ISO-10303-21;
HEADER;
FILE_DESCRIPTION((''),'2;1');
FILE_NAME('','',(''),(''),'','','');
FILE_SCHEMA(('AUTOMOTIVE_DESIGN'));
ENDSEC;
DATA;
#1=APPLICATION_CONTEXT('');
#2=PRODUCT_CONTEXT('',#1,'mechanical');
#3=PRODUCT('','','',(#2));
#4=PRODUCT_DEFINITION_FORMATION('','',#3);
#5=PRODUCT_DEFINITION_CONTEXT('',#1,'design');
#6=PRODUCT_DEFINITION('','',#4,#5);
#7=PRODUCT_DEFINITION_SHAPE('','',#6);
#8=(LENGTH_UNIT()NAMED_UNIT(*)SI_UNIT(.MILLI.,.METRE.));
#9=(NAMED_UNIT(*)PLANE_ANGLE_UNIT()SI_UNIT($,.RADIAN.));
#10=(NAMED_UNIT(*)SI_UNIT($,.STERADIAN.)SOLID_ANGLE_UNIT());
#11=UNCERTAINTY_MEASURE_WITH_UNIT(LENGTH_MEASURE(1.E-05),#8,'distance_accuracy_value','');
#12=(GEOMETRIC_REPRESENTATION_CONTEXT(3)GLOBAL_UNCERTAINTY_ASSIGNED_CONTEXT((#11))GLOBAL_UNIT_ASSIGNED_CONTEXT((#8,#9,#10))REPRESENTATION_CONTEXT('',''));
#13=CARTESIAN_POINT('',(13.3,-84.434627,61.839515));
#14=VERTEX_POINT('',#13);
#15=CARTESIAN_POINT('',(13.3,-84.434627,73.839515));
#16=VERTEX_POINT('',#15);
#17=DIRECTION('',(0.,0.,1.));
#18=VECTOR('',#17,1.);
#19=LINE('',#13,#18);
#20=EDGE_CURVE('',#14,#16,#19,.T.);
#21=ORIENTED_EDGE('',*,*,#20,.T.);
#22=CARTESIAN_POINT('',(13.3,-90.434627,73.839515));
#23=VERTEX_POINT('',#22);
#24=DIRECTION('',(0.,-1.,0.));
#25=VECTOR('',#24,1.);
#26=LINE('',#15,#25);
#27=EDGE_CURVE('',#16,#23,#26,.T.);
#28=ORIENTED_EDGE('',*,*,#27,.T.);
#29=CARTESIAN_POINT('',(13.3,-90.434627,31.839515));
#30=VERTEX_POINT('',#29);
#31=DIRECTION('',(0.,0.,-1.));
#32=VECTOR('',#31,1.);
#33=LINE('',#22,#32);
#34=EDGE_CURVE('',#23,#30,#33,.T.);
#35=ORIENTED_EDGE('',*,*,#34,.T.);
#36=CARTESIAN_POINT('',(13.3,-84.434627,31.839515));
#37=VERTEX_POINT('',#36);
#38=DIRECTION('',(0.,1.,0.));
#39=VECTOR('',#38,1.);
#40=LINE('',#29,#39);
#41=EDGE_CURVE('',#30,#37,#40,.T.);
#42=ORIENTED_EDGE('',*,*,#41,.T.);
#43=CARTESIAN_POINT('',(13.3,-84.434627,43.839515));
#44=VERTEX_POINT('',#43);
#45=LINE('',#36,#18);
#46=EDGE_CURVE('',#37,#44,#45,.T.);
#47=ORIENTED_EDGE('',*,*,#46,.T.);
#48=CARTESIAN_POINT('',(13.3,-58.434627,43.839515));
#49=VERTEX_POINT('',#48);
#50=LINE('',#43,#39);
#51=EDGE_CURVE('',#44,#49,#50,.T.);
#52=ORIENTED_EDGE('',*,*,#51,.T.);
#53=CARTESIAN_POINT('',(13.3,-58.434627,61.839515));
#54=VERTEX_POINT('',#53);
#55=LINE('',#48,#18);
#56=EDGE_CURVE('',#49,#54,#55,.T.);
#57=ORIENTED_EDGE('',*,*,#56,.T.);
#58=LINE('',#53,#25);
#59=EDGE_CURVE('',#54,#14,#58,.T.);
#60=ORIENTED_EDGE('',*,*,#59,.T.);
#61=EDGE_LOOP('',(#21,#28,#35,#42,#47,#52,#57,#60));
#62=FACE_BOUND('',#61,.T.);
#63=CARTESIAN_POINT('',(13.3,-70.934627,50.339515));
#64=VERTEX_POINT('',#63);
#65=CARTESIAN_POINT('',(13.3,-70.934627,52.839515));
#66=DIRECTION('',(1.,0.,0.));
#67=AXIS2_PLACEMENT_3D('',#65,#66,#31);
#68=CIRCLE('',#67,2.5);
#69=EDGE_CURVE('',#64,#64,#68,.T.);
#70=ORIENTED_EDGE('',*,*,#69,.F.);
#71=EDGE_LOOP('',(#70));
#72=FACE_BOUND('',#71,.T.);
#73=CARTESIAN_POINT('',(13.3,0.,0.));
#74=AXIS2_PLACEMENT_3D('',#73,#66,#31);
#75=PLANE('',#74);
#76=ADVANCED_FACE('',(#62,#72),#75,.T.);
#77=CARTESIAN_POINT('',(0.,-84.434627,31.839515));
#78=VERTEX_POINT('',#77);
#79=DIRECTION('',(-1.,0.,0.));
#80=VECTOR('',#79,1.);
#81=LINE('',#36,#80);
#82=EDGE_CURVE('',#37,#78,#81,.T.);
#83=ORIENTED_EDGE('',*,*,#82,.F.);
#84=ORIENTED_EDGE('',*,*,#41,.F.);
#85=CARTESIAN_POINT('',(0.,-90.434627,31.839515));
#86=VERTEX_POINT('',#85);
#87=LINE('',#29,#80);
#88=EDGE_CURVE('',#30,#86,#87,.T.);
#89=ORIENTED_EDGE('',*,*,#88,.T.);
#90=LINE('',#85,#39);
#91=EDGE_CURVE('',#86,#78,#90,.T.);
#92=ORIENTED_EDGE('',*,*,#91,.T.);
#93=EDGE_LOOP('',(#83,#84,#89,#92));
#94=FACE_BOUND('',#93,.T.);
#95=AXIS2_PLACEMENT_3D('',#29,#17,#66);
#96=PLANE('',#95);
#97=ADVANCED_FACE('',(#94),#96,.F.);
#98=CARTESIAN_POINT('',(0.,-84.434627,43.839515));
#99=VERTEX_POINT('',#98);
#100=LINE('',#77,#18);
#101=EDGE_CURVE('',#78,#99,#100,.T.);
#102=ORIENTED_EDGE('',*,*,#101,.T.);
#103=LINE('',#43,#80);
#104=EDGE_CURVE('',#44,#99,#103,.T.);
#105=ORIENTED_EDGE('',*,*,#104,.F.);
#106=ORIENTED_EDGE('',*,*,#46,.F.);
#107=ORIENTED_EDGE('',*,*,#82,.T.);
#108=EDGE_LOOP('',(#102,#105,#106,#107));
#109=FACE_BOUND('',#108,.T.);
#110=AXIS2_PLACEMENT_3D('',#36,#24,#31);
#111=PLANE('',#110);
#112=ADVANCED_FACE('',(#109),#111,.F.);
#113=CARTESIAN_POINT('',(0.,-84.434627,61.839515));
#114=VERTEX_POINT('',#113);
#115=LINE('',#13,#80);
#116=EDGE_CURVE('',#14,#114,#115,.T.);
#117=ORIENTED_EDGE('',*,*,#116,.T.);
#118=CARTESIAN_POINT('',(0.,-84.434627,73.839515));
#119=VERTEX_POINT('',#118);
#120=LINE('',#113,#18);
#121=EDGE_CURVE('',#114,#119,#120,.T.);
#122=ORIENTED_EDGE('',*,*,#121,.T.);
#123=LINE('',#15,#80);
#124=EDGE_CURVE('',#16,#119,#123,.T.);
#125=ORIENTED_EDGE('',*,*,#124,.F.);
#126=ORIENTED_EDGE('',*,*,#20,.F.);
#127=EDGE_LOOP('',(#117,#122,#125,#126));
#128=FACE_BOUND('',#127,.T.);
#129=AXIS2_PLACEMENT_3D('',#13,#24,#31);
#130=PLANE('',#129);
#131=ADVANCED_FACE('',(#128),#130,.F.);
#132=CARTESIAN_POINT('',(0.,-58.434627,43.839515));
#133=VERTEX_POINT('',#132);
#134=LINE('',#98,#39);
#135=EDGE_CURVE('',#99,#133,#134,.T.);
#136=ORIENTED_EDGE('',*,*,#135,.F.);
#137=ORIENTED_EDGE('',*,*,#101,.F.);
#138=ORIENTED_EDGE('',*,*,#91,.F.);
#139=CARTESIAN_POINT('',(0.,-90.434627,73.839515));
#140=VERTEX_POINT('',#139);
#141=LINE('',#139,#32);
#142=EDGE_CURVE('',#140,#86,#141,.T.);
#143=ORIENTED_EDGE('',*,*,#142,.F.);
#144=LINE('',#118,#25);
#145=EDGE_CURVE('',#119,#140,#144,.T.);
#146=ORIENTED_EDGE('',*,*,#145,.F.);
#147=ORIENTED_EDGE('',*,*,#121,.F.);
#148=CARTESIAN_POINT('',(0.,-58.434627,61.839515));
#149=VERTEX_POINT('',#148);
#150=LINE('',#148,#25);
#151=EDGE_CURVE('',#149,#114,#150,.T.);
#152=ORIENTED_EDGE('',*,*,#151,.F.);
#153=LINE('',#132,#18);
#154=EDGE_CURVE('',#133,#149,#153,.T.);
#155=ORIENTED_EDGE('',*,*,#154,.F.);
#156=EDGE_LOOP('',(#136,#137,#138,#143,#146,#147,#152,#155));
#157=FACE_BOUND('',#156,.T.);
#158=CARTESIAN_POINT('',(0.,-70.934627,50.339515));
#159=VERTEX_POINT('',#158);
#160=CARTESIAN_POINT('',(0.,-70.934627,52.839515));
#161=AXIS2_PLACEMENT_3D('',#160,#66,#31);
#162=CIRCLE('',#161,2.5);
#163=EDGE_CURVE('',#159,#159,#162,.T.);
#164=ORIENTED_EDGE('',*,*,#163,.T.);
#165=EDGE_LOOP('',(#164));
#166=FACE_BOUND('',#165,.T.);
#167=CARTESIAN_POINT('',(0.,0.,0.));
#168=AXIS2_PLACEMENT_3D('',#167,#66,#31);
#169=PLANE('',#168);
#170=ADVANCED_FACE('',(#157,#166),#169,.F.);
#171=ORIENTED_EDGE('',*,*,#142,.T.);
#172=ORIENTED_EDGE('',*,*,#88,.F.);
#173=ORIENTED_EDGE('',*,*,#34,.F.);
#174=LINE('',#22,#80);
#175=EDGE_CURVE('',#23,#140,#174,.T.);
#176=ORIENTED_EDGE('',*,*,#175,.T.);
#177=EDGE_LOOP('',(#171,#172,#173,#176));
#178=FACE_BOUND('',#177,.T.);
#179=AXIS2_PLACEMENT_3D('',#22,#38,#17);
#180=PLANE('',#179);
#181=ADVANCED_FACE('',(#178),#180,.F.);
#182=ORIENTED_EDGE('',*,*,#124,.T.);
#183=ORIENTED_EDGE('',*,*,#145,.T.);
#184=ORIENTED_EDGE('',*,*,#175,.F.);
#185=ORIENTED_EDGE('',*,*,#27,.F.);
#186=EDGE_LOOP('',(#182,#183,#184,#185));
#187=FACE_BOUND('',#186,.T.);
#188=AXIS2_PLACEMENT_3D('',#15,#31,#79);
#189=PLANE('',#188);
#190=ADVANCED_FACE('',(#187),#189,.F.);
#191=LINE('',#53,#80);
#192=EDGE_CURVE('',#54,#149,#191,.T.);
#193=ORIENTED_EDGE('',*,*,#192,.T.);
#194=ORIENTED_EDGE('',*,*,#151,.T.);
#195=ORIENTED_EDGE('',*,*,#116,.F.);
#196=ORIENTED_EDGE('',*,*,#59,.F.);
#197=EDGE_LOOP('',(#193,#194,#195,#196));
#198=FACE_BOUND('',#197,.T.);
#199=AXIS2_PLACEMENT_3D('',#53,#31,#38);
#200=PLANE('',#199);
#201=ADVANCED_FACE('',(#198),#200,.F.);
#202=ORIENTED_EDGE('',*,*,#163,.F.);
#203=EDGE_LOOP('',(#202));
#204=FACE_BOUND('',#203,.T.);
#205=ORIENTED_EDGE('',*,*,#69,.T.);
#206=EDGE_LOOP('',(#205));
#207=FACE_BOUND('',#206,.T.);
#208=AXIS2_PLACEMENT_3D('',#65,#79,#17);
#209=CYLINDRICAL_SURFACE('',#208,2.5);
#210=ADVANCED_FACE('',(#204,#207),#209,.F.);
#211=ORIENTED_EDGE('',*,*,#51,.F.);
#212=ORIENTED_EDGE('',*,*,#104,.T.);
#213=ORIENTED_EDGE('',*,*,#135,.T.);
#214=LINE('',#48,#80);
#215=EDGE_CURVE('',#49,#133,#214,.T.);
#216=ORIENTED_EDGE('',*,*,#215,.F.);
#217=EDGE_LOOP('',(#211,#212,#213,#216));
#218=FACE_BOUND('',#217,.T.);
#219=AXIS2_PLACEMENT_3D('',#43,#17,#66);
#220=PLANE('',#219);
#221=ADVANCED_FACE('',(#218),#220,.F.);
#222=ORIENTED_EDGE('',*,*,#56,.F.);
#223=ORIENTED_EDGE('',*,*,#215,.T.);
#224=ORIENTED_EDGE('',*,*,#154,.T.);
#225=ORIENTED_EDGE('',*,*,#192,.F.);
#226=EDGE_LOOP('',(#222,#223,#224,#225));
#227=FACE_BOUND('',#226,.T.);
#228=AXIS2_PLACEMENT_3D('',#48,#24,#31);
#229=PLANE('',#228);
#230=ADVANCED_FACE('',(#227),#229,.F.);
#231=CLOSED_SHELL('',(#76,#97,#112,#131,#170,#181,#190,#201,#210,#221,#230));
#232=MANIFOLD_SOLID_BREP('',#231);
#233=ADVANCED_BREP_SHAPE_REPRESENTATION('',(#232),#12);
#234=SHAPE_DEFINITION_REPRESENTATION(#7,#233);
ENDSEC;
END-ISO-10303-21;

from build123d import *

# Parameters (mm, degrees)
SKETCH_1_R      = 2.5
EXTRUDE_1_DEPTH = 13.3


with BuildPart() as part:
    # 草图1 → 凸台-拉伸1 (new body)
    with BuildSketch(Plane(origin=(0, 0, 0), x_dir=(0, 0, -1), z_dir=(1, 0, 0))):
        Polygon((-73.839514953, -90.434627318), (-31.839514953, -90.434627318), (-31.839514953, -84.434627318), (-43.839514953, -84.434627318), (-43.839514953, -58.434627318), (-61.839514953, -58.434627318), (-61.839514953, -84.434627318), (-73.839514953, -84.434627318), align=None)
        with Locations((-52.839514953, -70.934627318)):
            Circle(SKETCH_1_R, mode=Mode.SUBTRACT)
    extrude(amount=EXTRUDE_1_DEPTH)


solid = part.part
